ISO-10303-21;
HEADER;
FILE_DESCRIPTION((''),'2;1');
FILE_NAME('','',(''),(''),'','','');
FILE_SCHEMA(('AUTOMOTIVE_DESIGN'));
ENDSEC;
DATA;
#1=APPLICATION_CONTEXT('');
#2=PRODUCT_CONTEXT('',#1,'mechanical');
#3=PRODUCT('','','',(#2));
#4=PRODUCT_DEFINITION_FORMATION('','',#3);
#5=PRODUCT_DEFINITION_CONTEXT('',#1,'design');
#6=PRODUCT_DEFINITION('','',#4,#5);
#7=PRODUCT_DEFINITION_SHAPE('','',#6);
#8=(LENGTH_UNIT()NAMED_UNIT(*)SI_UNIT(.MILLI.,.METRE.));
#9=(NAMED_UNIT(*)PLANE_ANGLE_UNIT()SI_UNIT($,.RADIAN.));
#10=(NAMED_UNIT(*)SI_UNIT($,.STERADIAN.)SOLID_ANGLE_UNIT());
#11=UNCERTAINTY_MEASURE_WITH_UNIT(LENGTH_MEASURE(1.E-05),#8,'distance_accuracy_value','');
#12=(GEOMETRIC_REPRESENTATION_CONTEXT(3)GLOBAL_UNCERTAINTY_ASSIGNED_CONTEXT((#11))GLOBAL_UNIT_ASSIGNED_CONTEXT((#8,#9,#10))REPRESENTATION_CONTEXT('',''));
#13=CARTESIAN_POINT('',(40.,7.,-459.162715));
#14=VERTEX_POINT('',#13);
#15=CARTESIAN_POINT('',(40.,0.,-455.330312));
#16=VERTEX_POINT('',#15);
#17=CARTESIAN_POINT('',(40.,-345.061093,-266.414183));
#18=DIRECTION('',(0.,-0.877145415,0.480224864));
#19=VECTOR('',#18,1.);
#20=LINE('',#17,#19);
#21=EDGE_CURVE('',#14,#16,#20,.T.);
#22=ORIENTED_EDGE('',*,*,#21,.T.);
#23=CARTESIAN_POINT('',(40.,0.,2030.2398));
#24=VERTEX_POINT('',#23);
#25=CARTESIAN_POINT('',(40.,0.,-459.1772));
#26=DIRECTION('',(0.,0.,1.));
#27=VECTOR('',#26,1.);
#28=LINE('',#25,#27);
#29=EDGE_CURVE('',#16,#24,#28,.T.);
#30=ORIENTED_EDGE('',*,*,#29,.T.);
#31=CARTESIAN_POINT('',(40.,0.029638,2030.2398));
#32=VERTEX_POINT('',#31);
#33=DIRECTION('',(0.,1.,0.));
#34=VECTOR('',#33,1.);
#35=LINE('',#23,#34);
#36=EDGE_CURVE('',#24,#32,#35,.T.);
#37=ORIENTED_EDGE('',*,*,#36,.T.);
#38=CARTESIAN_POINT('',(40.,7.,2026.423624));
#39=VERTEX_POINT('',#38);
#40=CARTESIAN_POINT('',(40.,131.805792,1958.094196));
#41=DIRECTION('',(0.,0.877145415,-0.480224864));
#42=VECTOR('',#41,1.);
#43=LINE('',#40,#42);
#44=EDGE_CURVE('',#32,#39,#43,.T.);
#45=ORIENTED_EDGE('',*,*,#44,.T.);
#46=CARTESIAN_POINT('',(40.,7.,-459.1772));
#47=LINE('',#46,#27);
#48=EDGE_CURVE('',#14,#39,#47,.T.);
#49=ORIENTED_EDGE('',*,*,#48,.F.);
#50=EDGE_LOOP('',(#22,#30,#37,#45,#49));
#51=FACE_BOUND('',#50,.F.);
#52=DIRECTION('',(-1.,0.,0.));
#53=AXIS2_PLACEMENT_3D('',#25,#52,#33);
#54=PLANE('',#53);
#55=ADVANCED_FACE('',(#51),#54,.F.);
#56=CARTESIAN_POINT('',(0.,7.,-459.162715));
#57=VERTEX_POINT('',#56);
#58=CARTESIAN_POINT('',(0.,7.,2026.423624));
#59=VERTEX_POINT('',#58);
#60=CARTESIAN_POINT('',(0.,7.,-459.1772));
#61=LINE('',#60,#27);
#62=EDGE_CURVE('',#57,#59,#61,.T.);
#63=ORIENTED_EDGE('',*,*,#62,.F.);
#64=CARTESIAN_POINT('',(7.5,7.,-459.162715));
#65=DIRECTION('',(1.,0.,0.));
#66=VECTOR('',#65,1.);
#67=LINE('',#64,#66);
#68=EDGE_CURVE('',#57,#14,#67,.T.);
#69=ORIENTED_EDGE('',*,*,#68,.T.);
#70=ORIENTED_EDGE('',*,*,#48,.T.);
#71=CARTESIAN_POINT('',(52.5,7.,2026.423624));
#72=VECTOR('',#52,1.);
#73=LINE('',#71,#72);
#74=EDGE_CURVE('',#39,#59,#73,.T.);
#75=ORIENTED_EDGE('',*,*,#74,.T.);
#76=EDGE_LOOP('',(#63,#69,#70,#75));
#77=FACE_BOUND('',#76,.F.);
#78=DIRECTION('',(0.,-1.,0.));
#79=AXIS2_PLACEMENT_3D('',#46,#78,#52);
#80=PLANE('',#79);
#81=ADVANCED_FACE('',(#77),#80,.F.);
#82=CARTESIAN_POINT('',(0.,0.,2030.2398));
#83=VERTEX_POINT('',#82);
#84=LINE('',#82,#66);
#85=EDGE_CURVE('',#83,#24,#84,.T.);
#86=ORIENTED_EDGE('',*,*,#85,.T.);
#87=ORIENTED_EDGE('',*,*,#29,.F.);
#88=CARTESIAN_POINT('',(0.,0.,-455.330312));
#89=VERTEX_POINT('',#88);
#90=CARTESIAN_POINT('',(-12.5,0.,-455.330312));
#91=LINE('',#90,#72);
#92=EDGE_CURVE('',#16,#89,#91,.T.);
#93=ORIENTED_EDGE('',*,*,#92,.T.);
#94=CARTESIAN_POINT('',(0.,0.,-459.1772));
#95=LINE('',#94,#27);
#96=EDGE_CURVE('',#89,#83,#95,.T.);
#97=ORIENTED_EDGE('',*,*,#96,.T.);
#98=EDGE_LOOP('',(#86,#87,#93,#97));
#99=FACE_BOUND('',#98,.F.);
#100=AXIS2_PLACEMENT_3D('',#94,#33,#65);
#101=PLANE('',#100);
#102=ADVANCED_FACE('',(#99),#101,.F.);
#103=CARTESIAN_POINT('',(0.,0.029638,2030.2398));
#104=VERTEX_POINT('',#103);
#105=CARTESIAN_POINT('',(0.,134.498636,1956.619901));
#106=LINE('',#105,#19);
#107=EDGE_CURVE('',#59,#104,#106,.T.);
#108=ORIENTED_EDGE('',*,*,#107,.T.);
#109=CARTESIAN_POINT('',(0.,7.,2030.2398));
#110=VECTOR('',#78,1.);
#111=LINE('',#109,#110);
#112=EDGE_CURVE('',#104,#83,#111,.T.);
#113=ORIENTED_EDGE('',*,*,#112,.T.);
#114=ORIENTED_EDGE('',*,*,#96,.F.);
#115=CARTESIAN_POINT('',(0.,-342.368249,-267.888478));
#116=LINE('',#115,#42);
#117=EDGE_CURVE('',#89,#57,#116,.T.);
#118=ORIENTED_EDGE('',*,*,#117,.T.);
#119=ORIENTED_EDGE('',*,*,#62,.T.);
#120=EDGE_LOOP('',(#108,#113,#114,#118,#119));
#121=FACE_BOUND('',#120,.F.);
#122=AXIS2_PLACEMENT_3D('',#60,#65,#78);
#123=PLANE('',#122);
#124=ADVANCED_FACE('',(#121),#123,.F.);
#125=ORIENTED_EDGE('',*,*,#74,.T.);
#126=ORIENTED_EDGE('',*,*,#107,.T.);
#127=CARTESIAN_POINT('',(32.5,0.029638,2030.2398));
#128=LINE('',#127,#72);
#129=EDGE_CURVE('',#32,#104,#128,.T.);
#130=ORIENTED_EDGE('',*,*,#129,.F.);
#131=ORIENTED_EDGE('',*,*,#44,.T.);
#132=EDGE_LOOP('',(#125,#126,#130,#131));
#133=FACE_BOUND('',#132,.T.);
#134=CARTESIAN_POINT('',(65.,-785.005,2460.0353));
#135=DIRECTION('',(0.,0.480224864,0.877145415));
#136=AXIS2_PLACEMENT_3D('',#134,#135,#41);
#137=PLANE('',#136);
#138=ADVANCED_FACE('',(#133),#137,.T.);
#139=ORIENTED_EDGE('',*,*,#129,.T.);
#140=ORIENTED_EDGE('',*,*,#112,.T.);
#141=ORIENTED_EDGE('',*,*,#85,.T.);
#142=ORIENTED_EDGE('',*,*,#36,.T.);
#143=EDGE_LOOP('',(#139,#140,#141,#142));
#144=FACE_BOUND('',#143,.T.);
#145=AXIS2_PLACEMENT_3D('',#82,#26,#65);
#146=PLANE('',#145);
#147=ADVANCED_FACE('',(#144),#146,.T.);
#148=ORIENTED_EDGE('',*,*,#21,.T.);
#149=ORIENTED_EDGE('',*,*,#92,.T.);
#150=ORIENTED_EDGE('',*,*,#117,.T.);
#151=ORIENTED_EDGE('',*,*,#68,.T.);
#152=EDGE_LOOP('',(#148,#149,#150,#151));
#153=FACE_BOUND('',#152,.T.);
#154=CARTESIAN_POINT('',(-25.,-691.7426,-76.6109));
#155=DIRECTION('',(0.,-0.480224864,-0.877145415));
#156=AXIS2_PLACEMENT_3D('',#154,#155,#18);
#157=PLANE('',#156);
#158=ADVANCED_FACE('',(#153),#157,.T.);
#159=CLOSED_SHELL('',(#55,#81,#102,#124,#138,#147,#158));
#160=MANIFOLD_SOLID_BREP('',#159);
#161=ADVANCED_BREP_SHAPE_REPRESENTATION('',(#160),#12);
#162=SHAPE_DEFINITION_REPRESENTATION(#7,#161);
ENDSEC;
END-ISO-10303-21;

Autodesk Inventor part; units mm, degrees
ref_plane "Начальная плоскость" through (0, 0, -459.1772) normal (0, 0, 1) x (1, 0, 0)
ref_plane "Конечная плоскость" through (0, 0, 2030.2398) normal (0, 0, 1) x (1, 0, 0)
sketch "Эскиз" plane through (0, 0, 0) normal (0, 0, 1) x (1, 0, 0)
  line L0 (0, 0) -> (40, 0)
  line L1 (40, 0) -> (40, 7)
  line L2 (40, 7) -> (0, 7)
  line L3 (0, 7) -> (0, 0)
  point P0 (0, 0)
extrude "Тело" add sketch "Эскиз" along normal up to surface (2489.417 mm away) from surface at -459.1772
sketch "Эскиз6" plane through (0, 0, 0) normal (0, 0, 1) x (1, 0, 0)
  line L0 (0, 0) -> (10, 0)
ref_plane "РабПлоскость5" through (0, 0, 0) normal (0, -1, 0) x (1, 0, 0)
sketch "Эскиз7" plane through (0, 0, 0) normal (0, -1, 0) x (1, 0, 0)
  line L0 (-2, -459.1772) -> (12, -459.1772)
  line L1 (-2, 2030.2398) -> (12, 2030.2398)
  dimension "d17" = 2489.417
ref_plane "РабПлоскость6" through (-25, -691.7426, -76.6109) normal (0, -0.4802, -0.8771) x (1, 0, 0)
split "Разделение1" plane through (-25, -691.7426, -76.6109) removes the side toward (0, -0.4802, -0.8771)
ref_plane "РабПлоскость7" through (65, -785.005, 2460.0353) normal (0, 0.4802, 0.8771) x (1, 0, 0)
split "Разделение2" plane through (65, -785.005, 2460.0353) removes the side toward (0, 0.4802, 0.8771)
equation "\"G_OFFSET_START\" = 459.17721"
equation "\"G_OFFSET_END\" = 451.1644"
equation "\"d12\" = -G_OFFSET_START"
equation "\"G_L\" = d17"
equation "\"ДЛИНА\" = 2489.41701"
properties part number "Планка перил 40х7" material "Береза"
